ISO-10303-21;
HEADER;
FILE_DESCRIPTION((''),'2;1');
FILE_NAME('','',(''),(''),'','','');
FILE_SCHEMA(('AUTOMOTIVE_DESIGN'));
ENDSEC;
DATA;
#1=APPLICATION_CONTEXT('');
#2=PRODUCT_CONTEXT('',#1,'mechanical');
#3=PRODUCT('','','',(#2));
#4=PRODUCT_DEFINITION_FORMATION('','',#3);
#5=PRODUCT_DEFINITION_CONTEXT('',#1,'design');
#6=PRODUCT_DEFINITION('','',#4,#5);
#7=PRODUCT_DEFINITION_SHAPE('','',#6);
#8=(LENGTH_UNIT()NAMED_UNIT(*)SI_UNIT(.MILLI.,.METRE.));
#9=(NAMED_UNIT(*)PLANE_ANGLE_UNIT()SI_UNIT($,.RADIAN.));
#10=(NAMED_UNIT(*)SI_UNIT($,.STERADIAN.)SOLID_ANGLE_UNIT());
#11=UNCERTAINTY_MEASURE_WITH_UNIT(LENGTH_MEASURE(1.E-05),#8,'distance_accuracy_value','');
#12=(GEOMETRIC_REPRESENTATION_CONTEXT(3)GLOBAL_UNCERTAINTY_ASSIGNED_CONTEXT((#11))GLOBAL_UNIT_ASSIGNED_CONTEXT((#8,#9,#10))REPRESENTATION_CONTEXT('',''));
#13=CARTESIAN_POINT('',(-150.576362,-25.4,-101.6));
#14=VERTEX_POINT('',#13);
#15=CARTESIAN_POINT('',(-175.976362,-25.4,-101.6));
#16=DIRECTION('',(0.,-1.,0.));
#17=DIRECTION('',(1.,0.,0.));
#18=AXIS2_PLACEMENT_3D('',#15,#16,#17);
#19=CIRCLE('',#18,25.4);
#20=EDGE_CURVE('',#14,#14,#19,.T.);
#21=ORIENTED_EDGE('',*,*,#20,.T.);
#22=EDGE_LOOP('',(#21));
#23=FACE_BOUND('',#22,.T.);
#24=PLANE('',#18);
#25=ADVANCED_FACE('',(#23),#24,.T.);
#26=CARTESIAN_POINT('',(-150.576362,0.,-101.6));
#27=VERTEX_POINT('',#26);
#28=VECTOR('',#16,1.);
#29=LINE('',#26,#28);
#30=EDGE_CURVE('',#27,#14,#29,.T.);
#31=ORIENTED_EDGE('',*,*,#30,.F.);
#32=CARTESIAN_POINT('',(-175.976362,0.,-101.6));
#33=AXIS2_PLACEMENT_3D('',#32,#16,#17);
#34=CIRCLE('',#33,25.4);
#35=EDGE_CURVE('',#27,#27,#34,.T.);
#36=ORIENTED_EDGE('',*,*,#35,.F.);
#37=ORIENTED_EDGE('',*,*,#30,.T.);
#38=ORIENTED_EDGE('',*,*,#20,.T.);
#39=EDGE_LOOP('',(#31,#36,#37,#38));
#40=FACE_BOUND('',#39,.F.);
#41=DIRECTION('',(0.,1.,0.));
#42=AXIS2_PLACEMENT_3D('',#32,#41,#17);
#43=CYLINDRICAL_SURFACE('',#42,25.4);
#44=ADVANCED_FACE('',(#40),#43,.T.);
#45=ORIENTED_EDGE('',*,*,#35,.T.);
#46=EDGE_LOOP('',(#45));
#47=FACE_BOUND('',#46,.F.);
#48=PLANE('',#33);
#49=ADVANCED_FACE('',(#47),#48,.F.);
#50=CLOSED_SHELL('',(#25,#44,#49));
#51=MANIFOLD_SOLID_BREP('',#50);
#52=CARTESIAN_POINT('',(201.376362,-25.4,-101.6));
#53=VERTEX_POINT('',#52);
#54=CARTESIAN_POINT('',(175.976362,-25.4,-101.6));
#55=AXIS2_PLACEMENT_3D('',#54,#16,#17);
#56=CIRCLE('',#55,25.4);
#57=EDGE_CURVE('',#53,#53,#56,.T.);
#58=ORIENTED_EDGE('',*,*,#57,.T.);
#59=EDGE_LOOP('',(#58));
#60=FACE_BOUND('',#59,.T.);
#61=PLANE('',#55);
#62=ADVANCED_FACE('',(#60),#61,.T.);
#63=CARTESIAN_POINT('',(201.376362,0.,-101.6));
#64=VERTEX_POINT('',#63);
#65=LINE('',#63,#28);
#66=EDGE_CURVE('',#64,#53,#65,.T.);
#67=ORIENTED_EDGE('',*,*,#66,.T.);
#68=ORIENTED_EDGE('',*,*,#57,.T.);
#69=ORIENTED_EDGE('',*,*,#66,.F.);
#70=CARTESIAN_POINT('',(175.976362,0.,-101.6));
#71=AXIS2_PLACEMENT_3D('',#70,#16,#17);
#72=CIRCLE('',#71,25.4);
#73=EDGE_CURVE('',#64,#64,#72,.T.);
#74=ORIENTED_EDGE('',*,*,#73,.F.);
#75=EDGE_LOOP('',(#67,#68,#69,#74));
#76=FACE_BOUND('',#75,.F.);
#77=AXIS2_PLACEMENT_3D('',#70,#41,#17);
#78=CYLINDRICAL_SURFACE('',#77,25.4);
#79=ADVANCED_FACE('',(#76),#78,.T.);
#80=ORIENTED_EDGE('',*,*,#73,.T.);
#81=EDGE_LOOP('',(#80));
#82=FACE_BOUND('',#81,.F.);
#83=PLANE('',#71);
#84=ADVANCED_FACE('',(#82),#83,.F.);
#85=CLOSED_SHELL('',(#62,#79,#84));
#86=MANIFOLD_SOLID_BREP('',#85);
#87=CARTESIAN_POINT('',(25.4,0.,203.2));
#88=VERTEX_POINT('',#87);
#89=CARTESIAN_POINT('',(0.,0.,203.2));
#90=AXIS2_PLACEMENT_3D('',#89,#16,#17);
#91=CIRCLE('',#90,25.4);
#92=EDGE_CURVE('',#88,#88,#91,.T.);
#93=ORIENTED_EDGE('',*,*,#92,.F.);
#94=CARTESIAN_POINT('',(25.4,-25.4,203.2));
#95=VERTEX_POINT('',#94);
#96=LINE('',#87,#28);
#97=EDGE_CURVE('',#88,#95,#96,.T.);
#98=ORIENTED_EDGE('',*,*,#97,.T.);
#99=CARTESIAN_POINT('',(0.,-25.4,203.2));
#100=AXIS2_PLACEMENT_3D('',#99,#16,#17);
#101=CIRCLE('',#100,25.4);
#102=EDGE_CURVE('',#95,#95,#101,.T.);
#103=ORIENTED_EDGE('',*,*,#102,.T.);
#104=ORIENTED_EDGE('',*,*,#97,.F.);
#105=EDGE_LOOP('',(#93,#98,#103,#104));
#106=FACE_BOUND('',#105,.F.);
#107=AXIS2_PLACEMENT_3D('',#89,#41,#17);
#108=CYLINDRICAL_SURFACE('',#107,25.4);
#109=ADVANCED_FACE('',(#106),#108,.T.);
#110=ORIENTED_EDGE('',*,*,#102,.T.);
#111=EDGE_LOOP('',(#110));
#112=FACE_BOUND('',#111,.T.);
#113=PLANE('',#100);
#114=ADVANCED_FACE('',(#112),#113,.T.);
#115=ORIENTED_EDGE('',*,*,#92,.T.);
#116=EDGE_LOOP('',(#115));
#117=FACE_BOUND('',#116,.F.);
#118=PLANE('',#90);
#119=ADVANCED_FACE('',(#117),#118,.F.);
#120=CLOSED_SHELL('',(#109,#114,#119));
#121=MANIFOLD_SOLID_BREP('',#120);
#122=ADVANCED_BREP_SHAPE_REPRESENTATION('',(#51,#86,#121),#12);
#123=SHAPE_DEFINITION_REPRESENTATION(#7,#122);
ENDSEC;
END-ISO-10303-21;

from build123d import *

# Parameters (mm, degrees)
F0_R     = 25.4
F1_DEPTH = 25.4


with BuildPart() as f1:
    # F0 (on Front) → F1 (new body)
    with BuildSketch(Plane.XZ):
        with Locations((0, 203.2)):
            Circle(F0_R)
        with Locations((175.976362, -101.6)):
            Circle(F0_R)
        with Locations((-175.976362, -101.6)):
            Circle(F0_R)
    extrude(amount=F1_DEPTH)


solid = f1.part
